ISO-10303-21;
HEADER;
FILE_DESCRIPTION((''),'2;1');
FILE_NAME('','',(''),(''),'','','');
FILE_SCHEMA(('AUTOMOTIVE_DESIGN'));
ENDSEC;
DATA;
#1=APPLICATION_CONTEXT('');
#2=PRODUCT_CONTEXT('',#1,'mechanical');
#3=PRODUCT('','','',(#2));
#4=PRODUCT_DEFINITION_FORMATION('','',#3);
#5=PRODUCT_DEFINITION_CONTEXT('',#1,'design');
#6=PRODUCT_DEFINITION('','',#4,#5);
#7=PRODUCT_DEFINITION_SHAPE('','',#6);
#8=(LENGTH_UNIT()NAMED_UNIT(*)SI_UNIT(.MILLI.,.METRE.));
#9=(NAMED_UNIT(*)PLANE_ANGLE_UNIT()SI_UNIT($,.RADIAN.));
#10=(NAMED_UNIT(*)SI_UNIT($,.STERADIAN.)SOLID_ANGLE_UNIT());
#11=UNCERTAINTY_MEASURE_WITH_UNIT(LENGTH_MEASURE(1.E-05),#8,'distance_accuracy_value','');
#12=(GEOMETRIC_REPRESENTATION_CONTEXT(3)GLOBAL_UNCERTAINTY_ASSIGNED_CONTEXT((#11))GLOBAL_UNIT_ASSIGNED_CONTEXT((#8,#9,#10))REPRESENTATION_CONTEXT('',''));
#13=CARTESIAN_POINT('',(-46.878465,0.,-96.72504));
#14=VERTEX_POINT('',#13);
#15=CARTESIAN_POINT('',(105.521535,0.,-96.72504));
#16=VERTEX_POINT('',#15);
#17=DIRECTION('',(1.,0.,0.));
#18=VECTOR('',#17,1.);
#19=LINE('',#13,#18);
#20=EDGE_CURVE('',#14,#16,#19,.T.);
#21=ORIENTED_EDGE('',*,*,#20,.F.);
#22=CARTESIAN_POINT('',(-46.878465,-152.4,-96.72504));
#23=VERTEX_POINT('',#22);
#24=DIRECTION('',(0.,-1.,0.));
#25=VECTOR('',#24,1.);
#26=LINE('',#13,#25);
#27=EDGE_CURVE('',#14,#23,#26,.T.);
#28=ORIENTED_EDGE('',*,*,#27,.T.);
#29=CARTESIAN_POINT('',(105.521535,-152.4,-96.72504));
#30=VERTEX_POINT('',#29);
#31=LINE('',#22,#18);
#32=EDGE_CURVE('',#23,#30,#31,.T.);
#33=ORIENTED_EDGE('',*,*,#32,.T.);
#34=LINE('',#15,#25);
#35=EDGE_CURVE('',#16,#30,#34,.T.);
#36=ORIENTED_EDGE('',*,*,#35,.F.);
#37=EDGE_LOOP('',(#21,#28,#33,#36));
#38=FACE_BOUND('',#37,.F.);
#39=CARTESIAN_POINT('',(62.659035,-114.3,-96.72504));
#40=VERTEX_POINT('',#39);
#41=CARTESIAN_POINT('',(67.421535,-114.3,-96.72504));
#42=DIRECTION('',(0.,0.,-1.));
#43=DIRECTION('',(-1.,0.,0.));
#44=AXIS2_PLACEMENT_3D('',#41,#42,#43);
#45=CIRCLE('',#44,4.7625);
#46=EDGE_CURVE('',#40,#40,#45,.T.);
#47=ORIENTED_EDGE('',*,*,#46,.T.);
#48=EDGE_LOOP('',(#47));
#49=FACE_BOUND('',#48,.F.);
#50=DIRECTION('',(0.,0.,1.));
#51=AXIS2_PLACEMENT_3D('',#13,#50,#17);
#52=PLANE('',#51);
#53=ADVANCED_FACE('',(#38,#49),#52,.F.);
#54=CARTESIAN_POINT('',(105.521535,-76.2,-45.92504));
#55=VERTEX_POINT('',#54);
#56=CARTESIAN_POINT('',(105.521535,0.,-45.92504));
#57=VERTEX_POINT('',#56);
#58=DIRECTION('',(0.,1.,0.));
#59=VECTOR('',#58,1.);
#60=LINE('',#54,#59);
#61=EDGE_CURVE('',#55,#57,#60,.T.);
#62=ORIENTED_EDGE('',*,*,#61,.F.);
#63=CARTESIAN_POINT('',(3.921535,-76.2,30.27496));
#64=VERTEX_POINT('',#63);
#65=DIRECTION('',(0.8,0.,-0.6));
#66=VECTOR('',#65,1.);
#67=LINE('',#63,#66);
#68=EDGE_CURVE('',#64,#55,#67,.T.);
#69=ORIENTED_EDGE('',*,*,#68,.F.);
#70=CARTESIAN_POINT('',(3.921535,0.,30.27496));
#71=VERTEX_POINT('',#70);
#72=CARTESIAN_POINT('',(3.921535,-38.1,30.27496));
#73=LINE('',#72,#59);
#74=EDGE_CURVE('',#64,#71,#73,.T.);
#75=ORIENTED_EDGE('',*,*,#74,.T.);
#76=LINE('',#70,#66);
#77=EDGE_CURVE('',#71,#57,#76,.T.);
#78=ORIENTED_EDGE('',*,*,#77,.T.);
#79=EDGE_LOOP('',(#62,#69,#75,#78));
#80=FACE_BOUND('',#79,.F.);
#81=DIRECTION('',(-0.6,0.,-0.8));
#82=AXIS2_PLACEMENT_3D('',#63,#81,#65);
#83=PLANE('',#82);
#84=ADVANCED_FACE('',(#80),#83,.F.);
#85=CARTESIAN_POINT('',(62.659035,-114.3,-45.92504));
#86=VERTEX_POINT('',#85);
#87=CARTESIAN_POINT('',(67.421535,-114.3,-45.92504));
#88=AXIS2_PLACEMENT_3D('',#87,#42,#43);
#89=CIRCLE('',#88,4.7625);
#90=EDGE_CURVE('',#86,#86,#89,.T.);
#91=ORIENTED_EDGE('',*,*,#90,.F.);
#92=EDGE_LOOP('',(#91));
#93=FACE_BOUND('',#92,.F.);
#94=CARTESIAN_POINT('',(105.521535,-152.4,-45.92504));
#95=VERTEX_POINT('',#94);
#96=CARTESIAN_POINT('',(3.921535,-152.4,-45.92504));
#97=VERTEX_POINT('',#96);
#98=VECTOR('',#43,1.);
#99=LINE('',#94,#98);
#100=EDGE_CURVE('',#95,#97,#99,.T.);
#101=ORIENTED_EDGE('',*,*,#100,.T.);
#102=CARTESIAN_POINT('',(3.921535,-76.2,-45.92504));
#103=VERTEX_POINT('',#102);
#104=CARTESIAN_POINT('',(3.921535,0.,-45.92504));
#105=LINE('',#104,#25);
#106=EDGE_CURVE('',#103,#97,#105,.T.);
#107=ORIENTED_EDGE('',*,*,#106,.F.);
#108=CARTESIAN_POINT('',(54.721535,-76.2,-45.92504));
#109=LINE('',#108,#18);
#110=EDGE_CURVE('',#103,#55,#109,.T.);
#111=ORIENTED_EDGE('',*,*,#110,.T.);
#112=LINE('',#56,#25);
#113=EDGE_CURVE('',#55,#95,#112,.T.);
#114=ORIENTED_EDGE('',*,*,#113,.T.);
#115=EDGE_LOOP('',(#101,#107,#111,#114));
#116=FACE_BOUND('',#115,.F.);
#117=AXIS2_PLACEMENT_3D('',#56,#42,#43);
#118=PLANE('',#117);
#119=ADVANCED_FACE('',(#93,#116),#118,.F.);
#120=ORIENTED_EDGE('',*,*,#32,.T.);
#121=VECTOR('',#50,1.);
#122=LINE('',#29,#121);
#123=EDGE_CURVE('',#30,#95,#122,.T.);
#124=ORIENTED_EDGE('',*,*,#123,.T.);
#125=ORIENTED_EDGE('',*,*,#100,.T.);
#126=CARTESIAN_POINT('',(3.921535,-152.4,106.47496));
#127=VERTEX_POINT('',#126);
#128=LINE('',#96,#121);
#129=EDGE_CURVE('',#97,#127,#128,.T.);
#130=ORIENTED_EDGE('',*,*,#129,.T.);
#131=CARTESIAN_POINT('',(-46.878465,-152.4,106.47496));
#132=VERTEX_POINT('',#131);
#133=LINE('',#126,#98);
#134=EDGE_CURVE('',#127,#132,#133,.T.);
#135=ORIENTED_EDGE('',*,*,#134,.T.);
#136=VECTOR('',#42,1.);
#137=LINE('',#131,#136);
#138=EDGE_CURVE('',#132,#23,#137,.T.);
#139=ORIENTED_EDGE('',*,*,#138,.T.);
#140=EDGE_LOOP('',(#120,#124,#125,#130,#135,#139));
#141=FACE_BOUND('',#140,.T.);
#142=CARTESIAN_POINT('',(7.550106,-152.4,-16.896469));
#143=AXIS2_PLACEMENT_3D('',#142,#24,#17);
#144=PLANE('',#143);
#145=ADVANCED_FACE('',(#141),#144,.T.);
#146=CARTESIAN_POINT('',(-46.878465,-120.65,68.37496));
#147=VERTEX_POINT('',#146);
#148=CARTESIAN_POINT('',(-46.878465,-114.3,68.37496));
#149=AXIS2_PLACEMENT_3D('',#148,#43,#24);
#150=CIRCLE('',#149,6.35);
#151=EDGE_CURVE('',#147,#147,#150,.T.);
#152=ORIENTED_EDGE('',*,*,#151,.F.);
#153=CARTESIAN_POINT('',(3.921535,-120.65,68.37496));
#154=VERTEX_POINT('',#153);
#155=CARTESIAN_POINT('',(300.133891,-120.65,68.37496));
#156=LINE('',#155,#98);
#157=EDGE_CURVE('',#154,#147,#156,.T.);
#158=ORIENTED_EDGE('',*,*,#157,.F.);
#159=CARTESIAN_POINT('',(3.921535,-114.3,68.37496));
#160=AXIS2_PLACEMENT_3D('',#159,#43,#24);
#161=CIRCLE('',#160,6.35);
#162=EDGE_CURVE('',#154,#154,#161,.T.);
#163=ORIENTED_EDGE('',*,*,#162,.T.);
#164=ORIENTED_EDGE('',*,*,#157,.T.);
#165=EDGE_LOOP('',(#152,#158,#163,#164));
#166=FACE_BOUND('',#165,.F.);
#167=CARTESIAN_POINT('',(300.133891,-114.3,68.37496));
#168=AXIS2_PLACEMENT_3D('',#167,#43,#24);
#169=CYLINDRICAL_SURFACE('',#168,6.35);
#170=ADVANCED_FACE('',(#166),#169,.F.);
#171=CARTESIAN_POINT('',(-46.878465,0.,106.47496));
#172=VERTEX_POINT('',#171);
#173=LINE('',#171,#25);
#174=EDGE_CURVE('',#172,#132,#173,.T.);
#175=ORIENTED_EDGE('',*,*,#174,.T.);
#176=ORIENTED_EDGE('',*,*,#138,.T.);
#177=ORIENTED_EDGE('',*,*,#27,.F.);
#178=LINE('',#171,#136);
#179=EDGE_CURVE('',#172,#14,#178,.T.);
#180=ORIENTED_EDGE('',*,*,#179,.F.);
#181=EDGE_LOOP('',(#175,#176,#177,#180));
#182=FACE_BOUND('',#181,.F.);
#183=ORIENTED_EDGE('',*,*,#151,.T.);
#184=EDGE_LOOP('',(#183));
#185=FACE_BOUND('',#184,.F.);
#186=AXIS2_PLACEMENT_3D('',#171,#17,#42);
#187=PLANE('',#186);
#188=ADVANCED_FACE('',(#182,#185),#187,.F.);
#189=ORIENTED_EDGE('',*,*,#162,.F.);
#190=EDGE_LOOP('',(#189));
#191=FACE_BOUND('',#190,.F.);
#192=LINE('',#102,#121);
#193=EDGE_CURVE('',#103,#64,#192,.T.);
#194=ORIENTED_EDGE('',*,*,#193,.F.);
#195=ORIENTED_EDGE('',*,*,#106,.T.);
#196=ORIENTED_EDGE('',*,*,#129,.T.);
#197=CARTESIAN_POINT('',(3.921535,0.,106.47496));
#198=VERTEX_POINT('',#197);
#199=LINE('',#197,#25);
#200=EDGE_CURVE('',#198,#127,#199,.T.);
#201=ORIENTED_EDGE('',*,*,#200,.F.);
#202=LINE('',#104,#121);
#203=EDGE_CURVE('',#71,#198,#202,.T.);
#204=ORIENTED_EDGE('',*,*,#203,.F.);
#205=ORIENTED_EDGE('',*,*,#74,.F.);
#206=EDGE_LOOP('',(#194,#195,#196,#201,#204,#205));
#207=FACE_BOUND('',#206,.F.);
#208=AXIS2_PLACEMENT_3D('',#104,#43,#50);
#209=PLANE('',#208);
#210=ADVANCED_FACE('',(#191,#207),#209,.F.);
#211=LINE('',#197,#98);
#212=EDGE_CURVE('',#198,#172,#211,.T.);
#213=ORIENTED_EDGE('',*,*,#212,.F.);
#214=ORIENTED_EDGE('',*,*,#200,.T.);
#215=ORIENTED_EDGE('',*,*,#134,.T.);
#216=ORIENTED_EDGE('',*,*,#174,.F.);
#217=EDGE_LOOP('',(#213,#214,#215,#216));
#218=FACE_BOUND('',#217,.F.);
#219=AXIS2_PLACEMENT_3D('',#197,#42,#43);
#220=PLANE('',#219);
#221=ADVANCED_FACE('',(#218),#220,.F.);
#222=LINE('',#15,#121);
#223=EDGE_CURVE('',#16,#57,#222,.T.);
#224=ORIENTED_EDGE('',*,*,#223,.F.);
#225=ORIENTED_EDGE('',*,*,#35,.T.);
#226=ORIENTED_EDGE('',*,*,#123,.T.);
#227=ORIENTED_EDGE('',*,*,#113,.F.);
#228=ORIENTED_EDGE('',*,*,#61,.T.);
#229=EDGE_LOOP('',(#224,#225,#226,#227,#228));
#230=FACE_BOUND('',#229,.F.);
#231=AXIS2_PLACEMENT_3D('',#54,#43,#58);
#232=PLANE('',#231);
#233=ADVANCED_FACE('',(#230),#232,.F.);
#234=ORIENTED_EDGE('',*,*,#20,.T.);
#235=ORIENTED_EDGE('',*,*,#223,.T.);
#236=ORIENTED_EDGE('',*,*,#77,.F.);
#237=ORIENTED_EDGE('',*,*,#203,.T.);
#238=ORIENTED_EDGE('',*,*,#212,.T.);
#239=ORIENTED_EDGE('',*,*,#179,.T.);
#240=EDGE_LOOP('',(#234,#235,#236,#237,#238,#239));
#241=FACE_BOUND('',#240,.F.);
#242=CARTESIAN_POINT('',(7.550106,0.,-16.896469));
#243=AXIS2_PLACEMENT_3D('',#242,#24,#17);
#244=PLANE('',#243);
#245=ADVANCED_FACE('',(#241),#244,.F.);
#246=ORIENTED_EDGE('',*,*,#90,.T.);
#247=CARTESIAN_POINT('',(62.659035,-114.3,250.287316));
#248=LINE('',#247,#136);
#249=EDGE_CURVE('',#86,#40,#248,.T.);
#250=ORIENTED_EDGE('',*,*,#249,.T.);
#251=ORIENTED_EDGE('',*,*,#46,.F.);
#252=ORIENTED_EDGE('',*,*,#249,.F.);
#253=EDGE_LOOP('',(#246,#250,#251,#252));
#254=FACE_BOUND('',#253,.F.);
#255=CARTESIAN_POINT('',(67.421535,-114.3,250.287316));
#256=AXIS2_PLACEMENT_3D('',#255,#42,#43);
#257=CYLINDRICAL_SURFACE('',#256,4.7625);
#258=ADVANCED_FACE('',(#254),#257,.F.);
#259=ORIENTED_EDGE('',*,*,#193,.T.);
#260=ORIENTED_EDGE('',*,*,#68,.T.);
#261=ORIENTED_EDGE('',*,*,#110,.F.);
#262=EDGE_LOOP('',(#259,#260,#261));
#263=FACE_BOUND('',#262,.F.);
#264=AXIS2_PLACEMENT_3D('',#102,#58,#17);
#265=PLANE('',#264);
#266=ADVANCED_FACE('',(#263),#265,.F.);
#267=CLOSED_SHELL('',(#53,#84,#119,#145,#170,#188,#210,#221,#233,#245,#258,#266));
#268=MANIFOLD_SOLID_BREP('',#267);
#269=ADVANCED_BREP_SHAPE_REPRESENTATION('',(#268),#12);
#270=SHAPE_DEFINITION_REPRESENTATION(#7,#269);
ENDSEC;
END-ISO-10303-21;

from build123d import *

# Parameters (mm, degrees)
F1_DEPTH = 152.4
F2_W     = 101.6
F2_H     = 76.2
F3_DEPTH = 76.2
F5_DEPTH = 76.2
F7_D     = 9.525
F9_D     = 12.7


with BuildPart() as f1:
    # F0 (on Front) → F1 (new body)
    with BuildSketch(Plane.XZ):
        Polygon((3.921535, 106.47496), (-46.878465, 106.47496), (-46.878465, -96.72504), (105.521535, -96.72504), (105.521535, -45.92504), (3.921535, -45.92504), align=None)
    extrude(amount=F1_DEPTH)

    # F2 (on face) → F3 (join)
    with BuildSketch(Plane.XY.offset(-45.92504)):
        with Locations((54.721535, -38.1)):
            Rectangle(F2_W, F2_H)
    extrude(amount=F3_DEPTH)

    # F4 (on face) → F5 (cut)
    with BuildSketch(Plane.XZ.offset(76.2)):
        Polygon((105.521535, 30.27496), (3.921535, 30.27496), (105.521535, -45.92504), align=None)
    extrude(amount=-F5_DEPTH, mode=Mode.SUBTRACT)

    # F7 (through all)
    with Locations(Plane.XY.offset(-45.92504)):
        with Locations((67.421535, -114.3)):
            Hole(F7_D / 2)

    # F9 (through all)
    with Locations(Plane.YZ.offset(3.921535)):
        with Locations((-114.3, 68.37496)):
            Hole(F9_D / 2)


solid = f1.part
